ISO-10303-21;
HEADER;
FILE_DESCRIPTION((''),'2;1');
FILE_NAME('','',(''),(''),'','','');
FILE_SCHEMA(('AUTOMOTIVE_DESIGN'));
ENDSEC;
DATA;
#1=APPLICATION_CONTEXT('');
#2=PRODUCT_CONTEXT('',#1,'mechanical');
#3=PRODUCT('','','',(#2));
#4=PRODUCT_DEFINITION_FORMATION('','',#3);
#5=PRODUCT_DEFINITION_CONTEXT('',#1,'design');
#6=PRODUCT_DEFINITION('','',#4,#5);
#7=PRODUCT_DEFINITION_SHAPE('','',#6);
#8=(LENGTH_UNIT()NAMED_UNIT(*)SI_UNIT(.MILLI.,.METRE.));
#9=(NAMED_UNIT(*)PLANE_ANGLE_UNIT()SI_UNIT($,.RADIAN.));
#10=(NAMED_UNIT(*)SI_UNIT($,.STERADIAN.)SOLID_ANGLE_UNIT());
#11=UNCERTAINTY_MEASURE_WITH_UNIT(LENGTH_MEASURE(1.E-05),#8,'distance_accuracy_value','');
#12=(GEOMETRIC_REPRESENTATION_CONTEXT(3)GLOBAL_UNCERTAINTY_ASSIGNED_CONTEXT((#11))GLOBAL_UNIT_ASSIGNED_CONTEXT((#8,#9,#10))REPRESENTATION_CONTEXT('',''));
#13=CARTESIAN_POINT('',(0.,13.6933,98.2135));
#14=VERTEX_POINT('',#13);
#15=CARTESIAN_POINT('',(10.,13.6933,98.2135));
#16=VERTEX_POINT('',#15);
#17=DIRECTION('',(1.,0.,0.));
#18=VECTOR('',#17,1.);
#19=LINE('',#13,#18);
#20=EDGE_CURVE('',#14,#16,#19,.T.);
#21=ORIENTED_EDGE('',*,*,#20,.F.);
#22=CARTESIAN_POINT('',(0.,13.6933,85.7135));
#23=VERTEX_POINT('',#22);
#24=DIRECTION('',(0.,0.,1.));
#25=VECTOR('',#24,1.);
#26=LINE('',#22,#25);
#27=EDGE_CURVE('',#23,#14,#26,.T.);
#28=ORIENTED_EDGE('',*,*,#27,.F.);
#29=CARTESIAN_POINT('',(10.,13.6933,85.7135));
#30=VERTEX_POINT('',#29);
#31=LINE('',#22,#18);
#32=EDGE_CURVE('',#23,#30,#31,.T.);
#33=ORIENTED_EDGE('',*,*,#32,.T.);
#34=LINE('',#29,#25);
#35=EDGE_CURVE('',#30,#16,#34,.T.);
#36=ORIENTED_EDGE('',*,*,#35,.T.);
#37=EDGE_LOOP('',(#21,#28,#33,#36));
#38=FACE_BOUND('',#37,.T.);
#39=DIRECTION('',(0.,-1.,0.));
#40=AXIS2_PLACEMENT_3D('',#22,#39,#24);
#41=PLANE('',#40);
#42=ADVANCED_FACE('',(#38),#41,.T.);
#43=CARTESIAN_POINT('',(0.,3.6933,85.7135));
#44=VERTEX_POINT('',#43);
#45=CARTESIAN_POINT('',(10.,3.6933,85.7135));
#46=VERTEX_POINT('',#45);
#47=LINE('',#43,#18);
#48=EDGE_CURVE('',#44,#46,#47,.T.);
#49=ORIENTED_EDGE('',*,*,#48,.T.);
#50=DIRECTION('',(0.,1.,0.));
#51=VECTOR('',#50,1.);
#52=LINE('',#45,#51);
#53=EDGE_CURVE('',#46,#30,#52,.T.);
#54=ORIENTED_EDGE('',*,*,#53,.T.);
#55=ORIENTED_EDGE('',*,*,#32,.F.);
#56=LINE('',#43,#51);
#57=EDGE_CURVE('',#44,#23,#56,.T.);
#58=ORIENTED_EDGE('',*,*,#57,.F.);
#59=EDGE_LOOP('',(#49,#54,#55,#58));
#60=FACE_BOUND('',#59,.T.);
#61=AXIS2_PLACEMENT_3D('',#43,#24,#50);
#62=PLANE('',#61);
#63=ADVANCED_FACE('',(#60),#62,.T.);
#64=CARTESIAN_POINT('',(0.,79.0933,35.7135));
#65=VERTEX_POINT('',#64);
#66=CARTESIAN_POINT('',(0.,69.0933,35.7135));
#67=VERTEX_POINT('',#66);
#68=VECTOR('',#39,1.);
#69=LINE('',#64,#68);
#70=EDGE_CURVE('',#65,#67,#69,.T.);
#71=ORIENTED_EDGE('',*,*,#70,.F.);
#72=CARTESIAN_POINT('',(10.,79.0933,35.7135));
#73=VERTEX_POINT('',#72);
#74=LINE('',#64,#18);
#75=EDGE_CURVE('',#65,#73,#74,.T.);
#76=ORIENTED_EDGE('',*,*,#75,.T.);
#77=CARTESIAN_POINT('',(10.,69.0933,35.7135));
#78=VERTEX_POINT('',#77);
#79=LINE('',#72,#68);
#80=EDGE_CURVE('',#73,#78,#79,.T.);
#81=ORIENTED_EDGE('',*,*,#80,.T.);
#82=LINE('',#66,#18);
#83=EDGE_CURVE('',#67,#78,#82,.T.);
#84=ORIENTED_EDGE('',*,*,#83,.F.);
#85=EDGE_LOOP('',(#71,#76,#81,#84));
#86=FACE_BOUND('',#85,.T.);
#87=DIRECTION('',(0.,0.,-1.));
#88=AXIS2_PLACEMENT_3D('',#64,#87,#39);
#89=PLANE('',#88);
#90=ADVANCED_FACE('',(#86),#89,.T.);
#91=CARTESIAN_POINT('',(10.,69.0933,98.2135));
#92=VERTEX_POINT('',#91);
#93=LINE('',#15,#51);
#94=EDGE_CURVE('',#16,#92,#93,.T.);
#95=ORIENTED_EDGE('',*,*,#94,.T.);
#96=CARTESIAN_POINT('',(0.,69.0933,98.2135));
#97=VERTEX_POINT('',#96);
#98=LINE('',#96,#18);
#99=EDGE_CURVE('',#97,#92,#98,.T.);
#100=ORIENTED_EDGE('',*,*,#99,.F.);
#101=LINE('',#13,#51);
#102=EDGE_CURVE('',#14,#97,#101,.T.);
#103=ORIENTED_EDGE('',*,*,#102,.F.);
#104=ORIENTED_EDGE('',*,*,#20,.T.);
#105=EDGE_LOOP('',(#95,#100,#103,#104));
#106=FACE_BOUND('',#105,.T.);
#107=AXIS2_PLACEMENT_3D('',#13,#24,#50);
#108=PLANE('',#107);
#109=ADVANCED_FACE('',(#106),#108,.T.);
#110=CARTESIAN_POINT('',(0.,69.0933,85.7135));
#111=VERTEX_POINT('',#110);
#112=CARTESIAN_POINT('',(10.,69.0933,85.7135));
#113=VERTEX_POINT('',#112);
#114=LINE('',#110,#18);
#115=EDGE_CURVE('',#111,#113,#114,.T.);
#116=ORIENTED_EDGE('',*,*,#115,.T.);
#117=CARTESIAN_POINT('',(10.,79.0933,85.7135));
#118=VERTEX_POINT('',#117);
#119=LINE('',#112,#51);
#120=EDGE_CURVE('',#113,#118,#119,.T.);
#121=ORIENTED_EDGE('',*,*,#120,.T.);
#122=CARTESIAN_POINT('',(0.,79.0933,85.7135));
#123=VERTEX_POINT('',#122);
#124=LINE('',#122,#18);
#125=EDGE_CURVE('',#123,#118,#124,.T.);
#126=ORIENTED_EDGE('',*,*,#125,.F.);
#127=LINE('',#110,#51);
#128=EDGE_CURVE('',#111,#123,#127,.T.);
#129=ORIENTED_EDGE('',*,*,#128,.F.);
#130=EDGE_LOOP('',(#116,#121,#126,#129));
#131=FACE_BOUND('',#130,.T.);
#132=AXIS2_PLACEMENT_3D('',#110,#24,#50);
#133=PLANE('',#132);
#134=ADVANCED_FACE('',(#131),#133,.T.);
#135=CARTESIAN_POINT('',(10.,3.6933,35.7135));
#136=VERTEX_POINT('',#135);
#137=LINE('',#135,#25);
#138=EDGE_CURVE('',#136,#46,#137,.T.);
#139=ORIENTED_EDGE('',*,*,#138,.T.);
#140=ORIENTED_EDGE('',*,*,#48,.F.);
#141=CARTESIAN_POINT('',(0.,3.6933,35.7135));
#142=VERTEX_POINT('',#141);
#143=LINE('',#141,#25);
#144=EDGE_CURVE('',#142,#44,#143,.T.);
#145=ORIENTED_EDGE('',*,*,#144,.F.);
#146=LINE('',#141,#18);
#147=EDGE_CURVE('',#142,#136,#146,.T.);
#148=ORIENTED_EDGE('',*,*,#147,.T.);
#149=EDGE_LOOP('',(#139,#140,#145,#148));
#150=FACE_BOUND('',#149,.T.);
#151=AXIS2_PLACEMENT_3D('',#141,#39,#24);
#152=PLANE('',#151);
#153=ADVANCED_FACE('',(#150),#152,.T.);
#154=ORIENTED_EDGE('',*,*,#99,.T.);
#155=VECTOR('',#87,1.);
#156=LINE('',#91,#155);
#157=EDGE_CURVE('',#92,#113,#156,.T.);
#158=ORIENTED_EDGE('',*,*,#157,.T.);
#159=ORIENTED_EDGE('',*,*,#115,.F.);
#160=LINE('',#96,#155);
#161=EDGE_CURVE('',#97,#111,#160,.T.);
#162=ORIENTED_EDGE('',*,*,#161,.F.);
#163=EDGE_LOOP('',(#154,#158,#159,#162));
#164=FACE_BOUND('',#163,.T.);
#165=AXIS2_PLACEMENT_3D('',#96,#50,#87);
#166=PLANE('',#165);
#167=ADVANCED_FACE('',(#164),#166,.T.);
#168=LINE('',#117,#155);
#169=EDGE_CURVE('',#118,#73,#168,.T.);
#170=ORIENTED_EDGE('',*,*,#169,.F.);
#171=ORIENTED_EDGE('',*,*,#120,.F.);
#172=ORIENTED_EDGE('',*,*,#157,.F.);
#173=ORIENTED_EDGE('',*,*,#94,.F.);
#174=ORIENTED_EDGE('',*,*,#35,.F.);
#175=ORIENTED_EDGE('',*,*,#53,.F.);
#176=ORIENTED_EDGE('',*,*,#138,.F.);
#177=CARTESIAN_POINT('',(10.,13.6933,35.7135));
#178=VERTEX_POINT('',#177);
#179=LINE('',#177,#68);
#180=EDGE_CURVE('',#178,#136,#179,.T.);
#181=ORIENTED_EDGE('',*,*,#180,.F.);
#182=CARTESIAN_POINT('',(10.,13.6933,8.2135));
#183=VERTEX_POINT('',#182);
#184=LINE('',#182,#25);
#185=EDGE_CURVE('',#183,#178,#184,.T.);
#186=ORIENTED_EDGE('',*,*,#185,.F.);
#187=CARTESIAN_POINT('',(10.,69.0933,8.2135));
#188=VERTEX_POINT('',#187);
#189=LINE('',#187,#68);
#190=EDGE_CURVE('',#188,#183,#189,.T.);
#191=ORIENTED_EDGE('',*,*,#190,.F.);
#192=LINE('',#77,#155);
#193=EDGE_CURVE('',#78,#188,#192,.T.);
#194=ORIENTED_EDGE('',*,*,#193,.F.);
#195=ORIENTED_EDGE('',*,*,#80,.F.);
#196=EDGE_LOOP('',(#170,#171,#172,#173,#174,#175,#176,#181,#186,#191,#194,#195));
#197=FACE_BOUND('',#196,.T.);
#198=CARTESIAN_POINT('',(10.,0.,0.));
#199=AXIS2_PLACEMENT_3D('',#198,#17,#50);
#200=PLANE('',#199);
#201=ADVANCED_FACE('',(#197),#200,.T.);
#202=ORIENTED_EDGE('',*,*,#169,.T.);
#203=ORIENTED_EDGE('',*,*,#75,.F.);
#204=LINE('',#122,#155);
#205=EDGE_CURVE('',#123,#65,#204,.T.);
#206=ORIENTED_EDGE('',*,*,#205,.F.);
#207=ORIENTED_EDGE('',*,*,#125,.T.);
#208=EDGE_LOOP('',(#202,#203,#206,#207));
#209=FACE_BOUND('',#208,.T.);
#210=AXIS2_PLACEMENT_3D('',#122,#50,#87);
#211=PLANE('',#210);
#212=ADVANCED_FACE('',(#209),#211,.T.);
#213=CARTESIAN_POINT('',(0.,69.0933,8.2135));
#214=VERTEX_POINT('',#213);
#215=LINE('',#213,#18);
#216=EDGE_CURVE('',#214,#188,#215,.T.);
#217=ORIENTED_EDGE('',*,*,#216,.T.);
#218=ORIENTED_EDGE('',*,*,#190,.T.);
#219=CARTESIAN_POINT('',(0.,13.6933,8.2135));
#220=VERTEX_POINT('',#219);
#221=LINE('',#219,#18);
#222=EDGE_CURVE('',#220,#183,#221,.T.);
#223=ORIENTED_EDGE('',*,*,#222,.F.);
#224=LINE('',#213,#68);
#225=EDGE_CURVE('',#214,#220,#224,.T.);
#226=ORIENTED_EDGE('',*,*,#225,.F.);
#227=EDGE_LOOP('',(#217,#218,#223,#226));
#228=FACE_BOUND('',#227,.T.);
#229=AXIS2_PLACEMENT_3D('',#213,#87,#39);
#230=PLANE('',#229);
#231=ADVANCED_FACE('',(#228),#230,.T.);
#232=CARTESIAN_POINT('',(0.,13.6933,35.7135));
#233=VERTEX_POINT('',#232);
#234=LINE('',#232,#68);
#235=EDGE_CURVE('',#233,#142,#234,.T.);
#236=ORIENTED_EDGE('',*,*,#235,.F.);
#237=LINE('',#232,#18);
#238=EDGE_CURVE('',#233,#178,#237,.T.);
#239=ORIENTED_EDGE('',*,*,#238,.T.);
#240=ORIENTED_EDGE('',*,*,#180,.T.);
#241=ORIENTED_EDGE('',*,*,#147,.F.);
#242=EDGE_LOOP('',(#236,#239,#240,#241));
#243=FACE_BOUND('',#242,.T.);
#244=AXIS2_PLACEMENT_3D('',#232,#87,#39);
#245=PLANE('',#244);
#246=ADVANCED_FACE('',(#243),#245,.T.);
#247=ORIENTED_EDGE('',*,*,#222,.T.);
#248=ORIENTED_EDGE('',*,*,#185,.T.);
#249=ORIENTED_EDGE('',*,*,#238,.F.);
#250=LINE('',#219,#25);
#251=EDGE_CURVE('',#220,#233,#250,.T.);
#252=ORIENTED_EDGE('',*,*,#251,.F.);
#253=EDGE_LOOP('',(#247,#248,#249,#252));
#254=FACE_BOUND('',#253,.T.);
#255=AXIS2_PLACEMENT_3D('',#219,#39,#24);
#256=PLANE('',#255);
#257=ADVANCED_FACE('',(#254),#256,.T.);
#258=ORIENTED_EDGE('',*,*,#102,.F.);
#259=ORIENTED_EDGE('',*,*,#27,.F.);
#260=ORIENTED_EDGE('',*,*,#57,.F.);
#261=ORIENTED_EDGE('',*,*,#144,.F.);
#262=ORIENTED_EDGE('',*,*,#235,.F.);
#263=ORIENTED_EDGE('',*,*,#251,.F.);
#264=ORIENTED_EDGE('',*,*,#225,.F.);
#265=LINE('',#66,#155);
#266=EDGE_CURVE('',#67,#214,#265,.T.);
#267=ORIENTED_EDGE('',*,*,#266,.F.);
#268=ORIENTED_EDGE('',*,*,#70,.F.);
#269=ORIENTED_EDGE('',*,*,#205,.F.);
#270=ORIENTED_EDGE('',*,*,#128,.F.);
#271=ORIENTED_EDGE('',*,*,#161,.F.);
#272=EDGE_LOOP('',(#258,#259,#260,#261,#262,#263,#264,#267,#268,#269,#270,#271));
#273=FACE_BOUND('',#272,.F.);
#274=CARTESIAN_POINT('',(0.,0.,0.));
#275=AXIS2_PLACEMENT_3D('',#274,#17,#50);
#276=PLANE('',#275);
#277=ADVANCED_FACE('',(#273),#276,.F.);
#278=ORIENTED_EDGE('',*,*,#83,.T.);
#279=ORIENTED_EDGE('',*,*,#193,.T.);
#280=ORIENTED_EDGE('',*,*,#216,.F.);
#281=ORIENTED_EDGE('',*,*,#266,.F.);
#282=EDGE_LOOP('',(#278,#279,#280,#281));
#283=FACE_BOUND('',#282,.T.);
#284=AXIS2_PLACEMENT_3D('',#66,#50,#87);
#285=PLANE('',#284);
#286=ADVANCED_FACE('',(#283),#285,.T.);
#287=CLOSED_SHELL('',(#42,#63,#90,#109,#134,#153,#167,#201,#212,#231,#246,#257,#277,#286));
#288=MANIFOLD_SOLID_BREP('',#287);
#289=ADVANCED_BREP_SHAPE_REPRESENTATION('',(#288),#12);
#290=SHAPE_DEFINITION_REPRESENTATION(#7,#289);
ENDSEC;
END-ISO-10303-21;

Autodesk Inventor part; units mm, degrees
ref_plane "YZ Plane" through (0, 0, 0) normal (1, 0, 0) x (0, 1, 0)
ref_plane "XZ Plane" through (0, 0, 0) normal (0, 1, 0) x (-1, 0, 0)
ref_plane "XY Plane" through (0, 0, 0) normal (0, 0, 1) x (1, 0, 0)
sketch "Sketch1" plane through (0, 0, 0) normal (1, 0, 0) x (0, 1, 0)
  line L0 (69.0933, 8.2135) -> (13.6933, 8.2135)
  line L1 (13.6933, 8.2135) -> (13.6933, 35.7135)
  line L2 (13.6933, 35.7135) -> (3.6933, 35.7135)
  line L3 (3.6933, 35.7135) -> (3.6933, 85.7135)
  line L4 (3.6933, 85.7135) -> (13.6933, 85.7135)
  line L5 (13.6933, 85.7135) -> (13.6933, 98.2135)
  line L6 (13.6933, 98.2135) -> (69.0933, 98.2135)
  line L7 (69.0933, 98.2135) -> (69.0933, 85.7135)
  line L8 (69.0933, 85.7135) -> (79.0933, 85.7135)
  line L9 (79.0933, 85.7135) -> (79.0933, 35.7135)
  line L10 (79.0933, 35.7135) -> (69.0933, 35.7135)
  line L11 (69.0933, 35.7135) -> (69.0933, 8.2135)
  point P0 (0, 0)
  dimension "d0" = 55.4
  dimension "d1" = 10
  dimension "d2" = 10
  dimension "d3" = 10
  dimension "d4" = 27.5
  dimension "d5" = 12.5
  dimension "d8" = 50
extrude "Extrusion1" add sketch "Sketch1" along normal blind 10
equation "\"d1\" = Width"
equation "\"d2\" = Width"
equation "\"d3\" = Width"
equation "\"d6\" = Width"
equation "\"Width\" = 10"
properties part number "SideWall" material "ABS Plastic"
